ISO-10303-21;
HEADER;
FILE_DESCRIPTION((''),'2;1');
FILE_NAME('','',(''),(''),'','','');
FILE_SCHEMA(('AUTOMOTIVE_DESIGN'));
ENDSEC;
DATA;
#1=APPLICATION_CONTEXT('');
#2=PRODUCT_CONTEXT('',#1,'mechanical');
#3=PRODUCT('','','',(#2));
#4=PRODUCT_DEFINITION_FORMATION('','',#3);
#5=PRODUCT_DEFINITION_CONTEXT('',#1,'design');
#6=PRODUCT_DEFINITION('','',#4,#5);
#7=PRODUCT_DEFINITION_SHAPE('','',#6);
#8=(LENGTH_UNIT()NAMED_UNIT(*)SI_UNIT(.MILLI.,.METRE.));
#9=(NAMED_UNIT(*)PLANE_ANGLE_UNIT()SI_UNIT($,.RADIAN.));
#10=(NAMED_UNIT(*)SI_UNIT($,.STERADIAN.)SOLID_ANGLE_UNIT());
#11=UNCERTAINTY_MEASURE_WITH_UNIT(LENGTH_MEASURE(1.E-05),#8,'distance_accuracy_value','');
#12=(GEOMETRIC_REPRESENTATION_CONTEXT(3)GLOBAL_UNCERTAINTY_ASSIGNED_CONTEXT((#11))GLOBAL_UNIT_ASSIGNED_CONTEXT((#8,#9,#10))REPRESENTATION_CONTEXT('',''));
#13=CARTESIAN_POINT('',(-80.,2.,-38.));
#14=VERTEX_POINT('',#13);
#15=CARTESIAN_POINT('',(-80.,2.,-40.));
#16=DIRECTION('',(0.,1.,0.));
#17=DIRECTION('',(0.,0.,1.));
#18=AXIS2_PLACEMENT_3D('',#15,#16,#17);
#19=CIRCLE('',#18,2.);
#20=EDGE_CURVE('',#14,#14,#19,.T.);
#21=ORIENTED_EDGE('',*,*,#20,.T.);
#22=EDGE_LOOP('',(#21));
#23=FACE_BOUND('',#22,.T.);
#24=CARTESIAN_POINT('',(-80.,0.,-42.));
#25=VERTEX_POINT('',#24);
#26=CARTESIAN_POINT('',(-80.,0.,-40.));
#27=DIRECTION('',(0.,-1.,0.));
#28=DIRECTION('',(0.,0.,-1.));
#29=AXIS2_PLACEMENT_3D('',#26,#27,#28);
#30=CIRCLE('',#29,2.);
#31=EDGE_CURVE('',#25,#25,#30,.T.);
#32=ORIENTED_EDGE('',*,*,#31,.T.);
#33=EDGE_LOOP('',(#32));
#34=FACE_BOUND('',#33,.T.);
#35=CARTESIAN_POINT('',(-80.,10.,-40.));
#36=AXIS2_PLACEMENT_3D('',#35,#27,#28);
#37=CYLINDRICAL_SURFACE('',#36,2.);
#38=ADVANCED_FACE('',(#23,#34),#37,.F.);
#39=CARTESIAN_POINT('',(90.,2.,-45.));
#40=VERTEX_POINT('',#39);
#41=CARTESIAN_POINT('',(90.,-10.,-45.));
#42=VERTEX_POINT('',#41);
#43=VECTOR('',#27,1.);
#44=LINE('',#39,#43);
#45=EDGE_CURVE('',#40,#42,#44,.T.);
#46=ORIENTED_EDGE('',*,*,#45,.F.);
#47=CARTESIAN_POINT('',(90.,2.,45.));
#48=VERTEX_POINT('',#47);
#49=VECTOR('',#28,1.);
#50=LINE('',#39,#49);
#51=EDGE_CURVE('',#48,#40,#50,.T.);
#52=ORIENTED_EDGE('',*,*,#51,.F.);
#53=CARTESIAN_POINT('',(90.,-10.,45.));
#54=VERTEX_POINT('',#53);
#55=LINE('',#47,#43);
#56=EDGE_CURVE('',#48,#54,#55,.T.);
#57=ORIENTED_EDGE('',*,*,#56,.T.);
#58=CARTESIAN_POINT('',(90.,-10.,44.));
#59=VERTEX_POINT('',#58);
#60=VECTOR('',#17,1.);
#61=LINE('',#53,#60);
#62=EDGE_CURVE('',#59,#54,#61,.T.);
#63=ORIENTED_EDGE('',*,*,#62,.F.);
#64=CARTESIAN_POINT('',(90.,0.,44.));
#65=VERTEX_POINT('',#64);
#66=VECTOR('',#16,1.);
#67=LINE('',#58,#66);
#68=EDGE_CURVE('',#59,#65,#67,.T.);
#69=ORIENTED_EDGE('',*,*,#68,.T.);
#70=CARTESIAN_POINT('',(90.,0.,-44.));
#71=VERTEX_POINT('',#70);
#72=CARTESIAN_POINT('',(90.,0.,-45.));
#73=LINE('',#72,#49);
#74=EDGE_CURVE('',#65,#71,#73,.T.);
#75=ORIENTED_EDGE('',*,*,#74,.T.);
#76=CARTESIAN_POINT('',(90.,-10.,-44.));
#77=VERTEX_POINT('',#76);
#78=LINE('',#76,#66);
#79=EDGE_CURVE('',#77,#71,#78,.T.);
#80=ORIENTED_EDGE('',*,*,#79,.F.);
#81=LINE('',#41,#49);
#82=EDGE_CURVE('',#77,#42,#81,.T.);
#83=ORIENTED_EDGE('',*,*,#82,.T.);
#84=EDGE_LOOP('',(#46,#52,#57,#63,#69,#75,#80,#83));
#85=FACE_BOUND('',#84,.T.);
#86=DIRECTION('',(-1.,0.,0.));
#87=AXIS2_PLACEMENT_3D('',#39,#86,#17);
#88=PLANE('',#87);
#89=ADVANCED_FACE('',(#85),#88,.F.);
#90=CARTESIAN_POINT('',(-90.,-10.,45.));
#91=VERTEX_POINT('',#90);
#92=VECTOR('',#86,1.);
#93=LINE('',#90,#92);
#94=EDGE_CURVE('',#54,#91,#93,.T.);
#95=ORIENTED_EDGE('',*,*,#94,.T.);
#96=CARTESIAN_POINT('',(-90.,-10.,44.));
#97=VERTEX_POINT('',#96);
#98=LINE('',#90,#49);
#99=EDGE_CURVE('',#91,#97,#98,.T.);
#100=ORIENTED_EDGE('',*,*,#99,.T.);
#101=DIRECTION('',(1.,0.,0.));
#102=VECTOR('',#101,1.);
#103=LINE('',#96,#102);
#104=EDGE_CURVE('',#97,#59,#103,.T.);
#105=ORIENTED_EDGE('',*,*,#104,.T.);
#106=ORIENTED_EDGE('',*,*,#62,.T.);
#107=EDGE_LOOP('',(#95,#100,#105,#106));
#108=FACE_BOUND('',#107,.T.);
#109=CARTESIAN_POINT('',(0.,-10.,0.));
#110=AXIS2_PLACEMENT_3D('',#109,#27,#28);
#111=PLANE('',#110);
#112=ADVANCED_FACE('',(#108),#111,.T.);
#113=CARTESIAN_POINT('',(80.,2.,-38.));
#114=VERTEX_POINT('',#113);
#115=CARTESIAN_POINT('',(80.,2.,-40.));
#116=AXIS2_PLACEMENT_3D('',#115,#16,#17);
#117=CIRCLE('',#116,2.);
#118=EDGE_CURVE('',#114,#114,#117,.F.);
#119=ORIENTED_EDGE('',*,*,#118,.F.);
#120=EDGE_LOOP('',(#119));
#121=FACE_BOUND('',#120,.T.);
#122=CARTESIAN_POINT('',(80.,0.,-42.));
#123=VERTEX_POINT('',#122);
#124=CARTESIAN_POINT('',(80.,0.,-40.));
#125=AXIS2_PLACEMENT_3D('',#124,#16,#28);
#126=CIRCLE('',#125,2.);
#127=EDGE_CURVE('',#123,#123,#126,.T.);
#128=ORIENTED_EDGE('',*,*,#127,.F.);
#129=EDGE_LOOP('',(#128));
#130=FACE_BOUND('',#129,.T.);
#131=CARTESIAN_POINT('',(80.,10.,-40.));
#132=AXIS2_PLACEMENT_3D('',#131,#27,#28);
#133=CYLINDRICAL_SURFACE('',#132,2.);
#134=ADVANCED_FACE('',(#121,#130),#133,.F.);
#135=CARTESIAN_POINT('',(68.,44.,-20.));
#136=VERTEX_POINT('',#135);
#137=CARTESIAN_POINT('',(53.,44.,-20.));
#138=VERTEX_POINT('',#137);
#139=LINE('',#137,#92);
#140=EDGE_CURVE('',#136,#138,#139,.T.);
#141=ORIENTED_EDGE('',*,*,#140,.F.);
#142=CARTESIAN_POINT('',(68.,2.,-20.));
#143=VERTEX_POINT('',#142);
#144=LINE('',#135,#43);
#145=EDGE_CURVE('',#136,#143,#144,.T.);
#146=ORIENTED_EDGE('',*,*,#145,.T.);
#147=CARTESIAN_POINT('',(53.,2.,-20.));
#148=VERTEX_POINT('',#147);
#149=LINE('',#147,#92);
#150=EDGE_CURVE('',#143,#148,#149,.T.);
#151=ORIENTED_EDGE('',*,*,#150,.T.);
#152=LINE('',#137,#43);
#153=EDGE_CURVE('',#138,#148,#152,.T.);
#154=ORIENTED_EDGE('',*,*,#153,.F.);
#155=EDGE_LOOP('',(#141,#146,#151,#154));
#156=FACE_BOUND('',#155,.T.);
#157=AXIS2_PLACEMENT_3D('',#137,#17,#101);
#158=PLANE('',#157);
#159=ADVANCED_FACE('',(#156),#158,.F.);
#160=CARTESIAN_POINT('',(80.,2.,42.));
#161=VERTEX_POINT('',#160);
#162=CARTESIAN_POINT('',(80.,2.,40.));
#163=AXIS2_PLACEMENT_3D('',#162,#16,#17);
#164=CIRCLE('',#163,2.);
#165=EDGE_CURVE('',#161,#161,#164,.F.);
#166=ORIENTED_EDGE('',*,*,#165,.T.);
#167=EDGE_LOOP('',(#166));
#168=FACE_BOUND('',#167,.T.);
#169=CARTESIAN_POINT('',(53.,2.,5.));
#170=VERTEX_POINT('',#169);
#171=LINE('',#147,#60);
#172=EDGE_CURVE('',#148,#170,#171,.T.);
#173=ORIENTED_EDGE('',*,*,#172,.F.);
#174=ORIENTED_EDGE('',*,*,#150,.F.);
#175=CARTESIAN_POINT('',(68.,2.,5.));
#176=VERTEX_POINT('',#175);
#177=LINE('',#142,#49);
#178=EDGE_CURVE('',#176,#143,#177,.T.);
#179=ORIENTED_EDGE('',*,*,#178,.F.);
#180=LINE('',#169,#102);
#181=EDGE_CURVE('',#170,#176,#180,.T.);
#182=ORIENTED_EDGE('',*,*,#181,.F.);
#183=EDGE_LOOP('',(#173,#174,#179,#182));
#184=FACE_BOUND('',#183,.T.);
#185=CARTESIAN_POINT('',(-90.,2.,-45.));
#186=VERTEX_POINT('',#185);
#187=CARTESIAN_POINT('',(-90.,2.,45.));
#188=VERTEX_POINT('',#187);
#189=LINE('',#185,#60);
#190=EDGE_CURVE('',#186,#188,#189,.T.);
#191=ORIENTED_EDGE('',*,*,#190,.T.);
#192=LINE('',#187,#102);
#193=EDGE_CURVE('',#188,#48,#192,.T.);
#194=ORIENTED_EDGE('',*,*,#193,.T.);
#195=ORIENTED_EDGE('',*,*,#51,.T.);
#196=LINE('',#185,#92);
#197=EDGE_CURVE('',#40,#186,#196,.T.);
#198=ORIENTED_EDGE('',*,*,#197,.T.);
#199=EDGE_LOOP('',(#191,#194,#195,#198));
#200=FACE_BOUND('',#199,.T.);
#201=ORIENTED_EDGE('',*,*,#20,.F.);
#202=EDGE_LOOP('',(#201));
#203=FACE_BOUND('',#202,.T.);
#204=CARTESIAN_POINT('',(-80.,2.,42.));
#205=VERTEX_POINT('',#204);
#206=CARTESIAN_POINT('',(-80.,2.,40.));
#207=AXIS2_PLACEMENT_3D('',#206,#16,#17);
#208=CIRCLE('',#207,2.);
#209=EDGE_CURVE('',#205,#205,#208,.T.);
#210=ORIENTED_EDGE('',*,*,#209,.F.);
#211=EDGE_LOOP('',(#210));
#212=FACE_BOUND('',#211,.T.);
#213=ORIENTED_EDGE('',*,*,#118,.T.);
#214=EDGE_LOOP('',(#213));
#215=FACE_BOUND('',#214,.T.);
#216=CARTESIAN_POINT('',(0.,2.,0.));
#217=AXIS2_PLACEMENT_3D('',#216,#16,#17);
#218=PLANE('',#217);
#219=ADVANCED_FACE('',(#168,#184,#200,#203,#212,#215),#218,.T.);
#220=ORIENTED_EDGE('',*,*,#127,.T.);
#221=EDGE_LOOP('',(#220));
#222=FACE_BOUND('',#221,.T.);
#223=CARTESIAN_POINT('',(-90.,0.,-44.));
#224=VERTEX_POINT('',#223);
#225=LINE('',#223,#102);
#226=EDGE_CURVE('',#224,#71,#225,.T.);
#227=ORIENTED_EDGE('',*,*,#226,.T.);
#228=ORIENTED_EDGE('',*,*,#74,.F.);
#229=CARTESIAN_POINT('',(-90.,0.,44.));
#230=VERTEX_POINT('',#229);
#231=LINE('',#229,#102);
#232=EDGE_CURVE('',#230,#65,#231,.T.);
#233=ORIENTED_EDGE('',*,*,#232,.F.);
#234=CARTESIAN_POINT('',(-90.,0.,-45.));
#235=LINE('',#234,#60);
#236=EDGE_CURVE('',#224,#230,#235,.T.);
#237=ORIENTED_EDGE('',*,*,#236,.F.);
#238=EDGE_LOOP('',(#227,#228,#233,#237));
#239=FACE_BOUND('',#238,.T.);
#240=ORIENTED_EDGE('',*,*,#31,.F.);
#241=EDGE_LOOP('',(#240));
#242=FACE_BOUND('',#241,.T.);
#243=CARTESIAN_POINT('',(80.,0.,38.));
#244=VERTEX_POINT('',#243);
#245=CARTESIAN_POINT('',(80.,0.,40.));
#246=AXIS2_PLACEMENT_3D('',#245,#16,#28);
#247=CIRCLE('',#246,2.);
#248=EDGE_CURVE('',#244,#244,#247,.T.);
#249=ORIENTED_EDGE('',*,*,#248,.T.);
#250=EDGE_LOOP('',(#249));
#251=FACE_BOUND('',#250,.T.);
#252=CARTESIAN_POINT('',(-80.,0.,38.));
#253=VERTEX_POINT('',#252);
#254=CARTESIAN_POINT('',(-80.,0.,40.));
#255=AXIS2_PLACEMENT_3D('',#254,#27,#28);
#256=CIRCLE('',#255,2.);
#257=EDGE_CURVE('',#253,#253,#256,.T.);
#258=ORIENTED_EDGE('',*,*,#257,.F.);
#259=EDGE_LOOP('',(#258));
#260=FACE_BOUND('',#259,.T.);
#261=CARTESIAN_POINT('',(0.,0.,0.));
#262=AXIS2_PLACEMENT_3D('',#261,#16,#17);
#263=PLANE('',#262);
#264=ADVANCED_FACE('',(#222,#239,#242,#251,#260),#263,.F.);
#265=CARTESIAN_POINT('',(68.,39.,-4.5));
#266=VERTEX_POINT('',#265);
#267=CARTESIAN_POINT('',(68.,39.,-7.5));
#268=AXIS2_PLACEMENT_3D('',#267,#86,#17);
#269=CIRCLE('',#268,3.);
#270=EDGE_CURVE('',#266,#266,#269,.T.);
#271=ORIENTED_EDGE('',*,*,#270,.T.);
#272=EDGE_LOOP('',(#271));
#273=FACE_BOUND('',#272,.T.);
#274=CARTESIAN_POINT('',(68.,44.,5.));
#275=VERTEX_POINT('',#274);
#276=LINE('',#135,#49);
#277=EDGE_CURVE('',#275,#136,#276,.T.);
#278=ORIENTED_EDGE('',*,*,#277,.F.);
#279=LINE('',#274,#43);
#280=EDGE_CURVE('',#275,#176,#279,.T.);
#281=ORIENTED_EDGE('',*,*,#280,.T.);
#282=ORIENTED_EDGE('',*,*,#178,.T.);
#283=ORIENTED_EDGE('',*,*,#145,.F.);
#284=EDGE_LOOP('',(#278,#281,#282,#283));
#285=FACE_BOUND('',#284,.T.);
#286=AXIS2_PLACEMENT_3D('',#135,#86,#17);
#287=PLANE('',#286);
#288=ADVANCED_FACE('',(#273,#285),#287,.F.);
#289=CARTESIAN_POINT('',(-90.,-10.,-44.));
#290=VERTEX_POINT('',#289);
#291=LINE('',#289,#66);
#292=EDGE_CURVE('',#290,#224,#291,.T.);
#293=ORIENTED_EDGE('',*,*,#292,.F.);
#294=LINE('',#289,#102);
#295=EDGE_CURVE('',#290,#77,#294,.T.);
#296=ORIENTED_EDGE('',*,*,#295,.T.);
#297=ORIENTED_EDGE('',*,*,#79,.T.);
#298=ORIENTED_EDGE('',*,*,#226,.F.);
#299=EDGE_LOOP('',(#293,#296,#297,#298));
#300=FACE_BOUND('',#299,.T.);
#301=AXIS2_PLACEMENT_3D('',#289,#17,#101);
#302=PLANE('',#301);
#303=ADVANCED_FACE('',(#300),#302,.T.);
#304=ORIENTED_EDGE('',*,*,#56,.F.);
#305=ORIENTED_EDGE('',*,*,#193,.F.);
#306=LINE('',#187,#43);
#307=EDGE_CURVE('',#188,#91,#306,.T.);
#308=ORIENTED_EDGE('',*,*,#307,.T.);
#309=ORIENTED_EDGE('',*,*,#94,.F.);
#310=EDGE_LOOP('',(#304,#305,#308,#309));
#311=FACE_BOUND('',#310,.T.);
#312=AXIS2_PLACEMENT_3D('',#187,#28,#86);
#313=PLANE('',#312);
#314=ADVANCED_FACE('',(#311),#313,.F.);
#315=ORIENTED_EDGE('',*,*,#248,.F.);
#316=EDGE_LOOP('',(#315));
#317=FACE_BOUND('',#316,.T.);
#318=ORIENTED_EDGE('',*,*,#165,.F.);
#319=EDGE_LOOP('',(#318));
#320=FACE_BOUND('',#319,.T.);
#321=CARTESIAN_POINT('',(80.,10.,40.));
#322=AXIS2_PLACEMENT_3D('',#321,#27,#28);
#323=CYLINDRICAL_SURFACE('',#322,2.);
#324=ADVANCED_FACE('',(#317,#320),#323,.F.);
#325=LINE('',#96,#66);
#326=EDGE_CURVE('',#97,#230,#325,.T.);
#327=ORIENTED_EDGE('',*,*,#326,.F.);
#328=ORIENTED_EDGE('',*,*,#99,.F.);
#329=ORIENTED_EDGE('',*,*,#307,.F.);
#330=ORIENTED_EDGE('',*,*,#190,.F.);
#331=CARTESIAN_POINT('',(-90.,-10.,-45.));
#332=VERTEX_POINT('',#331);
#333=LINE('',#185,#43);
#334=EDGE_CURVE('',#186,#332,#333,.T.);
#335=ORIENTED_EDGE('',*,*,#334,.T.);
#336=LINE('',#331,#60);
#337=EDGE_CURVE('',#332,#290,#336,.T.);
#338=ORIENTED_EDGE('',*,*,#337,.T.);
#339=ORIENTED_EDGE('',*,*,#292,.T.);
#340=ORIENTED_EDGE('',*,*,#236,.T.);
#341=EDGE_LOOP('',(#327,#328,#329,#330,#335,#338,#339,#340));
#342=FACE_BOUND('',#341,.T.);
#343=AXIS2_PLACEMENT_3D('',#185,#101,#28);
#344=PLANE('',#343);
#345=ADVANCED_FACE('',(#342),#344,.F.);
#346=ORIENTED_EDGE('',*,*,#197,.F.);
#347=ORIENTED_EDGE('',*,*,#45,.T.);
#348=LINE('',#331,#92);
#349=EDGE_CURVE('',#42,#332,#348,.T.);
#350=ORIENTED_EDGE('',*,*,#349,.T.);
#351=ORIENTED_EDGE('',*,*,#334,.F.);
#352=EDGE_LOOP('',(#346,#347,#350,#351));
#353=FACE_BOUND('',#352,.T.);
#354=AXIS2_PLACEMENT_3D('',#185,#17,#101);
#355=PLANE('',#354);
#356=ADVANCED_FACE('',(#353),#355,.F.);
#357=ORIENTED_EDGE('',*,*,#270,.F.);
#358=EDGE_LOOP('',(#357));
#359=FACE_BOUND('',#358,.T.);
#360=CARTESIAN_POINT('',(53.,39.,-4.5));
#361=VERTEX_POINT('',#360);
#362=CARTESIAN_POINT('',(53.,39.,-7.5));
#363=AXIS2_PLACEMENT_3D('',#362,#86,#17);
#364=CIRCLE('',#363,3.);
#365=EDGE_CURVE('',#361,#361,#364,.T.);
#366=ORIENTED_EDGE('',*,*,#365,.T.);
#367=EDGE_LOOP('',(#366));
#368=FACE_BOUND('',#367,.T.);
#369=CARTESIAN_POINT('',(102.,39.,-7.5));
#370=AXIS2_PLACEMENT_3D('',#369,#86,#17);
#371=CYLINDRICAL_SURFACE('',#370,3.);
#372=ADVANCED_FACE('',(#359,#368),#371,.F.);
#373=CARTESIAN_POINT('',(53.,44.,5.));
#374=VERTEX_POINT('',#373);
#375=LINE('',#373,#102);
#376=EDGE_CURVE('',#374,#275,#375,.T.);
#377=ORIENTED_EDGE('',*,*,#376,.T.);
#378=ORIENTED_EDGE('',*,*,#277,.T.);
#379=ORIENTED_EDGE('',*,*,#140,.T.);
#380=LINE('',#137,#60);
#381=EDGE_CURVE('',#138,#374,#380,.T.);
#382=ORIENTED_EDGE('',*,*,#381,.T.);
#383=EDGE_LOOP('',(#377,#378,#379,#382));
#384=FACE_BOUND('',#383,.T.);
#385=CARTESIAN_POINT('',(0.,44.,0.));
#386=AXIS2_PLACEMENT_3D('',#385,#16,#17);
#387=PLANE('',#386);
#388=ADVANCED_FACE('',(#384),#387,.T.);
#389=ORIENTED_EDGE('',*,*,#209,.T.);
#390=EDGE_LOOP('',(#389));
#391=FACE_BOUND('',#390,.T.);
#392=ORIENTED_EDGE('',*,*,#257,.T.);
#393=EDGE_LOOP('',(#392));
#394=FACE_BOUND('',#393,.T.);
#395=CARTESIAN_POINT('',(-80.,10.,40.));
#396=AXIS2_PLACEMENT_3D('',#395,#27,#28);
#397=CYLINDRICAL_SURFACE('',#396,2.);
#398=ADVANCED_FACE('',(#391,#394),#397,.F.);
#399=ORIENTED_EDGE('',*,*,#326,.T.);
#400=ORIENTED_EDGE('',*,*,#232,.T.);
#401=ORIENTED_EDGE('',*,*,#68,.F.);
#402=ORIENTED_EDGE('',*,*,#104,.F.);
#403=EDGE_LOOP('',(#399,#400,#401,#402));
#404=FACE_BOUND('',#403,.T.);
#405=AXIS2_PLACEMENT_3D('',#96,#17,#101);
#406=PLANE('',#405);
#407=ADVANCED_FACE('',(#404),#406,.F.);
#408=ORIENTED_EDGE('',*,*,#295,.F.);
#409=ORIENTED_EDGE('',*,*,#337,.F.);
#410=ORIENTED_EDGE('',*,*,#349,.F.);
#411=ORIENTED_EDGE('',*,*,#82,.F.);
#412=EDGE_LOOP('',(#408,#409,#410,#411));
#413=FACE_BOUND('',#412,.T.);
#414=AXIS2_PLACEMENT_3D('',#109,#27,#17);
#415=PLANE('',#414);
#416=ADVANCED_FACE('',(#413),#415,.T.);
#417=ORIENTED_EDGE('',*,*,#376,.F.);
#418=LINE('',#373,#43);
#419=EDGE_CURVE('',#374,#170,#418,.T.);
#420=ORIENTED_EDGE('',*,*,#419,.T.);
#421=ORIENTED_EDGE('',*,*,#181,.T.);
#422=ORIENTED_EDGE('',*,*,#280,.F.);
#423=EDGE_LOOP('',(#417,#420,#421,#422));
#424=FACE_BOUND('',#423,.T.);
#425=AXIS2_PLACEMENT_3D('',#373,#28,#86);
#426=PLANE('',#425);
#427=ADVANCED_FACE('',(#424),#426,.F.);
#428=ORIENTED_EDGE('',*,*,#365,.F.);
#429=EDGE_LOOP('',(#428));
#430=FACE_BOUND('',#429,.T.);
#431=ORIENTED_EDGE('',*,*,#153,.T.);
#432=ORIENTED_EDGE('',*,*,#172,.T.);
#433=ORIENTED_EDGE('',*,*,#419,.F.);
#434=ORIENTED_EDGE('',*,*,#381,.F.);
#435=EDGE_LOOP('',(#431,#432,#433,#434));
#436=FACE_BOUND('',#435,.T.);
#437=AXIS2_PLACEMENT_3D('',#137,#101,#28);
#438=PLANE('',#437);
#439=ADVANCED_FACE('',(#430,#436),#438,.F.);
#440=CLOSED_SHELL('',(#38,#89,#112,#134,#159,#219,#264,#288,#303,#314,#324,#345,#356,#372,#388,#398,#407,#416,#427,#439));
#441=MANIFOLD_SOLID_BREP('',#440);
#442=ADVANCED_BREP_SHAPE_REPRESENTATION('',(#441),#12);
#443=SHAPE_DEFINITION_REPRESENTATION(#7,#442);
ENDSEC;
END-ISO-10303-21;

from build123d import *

# Parameters (mm, degrees)
IZIM1_W                     = 180
IZIM1_H                     = 90
Y_KSEKLIK_EKSTR_ZYON1_DEPTH = 2
IZIM2_W                     = 180
IZIM2_H                     = 1
Y_KSEKLIK_EKSTR_ZYON2_DEPTH = 10
IZIM3_R                     = 2
KES_EKSTR_ZYON1_DEPTH       = 10
IZIM6_W                     = 15
IZIM6_H                     = 25
Y_KSEKLIK_EKSTR_ZYON3_DEPTH = 42
IZIM7_R                     = 3
KES_EKSTR_ZYON2_DEPTH       = 49


with BuildPart() as part:
    # Çizim1 → Yükseklik-Ekstrüzyon1 (new body)
    with BuildSketch(Plane(origin=(0, 0, 0), x_dir=(1, 0, 0), z_dir=(0, 1, 0))):
        Rectangle(IZIM1_W, IZIM1_H)
    extrude(amount=Y_KSEKLIK_EKSTR_ZYON1_DEPTH)

    # Çizim2 → Yükseklik-Ekstrüzyon2 (add)
    with BuildSketch(Plane.XZ):
        with Locations((0, 44.5)):
            Rectangle(IZIM2_W, IZIM2_H)
    y_kseklik_ekstr_zyon2 = extrude(amount=Y_KSEKLIK_EKSTR_ZYON2_DEPTH)

    # Aynalama1: Yükseklik-Ekstrüzyon2 across plane
    add(y_kseklik_ekstr_zyon2.mirror(Plane.XY))

    # Çizim3 → Kes-Ekstrüzyon1 (cut)
    with BuildSketch(Plane.XZ):
        with Locations(Location((-80, 40, 0), (0, 0, 270))):
            Circle(IZIM3_R)
        with Locations(Location((-80, -40, 0), (0, 0, 270))):
            Circle(IZIM3_R)
    kes_ekstr_zyon1 = extrude(amount=-KES_EKSTR_ZYON1_DEPTH, mode=Mode.SUBTRACT)

    # Aynalama2: Kes-Ekstrüzyon1 across plane
    add(kes_ekstr_zyon1.mirror(Plane(origin=(0, 0, 0), x_dir=(0, 0, 1), z_dir=(1, 0, 0))), mode=Mode.SUBTRACT)

    # Çizim6 → Yükseklik-Ekstrüzyon3 (add)
    with BuildSketch(Plane(origin=(0, 2, 0), x_dir=(1, 0, 0), z_dir=(0, 1, 0))):
        with Locations((60.5, 7.5)):
            Rectangle(IZIM6_W, IZIM6_H)
    extrude(amount=Y_KSEKLIK_EKSTR_ZYON3_DEPTH)

    # Çizim7 → Kes-Ekstrüzyon2 (cut)
    with BuildSketch(Plane.ZY.offset(-53)):
        with Locations((-7.5, 39)):
            Circle(IZIM7_R)
    extrude(amount=-KES_EKSTR_ZYON2_DEPTH, mode=Mode.SUBTRACT)


solid = part.part
